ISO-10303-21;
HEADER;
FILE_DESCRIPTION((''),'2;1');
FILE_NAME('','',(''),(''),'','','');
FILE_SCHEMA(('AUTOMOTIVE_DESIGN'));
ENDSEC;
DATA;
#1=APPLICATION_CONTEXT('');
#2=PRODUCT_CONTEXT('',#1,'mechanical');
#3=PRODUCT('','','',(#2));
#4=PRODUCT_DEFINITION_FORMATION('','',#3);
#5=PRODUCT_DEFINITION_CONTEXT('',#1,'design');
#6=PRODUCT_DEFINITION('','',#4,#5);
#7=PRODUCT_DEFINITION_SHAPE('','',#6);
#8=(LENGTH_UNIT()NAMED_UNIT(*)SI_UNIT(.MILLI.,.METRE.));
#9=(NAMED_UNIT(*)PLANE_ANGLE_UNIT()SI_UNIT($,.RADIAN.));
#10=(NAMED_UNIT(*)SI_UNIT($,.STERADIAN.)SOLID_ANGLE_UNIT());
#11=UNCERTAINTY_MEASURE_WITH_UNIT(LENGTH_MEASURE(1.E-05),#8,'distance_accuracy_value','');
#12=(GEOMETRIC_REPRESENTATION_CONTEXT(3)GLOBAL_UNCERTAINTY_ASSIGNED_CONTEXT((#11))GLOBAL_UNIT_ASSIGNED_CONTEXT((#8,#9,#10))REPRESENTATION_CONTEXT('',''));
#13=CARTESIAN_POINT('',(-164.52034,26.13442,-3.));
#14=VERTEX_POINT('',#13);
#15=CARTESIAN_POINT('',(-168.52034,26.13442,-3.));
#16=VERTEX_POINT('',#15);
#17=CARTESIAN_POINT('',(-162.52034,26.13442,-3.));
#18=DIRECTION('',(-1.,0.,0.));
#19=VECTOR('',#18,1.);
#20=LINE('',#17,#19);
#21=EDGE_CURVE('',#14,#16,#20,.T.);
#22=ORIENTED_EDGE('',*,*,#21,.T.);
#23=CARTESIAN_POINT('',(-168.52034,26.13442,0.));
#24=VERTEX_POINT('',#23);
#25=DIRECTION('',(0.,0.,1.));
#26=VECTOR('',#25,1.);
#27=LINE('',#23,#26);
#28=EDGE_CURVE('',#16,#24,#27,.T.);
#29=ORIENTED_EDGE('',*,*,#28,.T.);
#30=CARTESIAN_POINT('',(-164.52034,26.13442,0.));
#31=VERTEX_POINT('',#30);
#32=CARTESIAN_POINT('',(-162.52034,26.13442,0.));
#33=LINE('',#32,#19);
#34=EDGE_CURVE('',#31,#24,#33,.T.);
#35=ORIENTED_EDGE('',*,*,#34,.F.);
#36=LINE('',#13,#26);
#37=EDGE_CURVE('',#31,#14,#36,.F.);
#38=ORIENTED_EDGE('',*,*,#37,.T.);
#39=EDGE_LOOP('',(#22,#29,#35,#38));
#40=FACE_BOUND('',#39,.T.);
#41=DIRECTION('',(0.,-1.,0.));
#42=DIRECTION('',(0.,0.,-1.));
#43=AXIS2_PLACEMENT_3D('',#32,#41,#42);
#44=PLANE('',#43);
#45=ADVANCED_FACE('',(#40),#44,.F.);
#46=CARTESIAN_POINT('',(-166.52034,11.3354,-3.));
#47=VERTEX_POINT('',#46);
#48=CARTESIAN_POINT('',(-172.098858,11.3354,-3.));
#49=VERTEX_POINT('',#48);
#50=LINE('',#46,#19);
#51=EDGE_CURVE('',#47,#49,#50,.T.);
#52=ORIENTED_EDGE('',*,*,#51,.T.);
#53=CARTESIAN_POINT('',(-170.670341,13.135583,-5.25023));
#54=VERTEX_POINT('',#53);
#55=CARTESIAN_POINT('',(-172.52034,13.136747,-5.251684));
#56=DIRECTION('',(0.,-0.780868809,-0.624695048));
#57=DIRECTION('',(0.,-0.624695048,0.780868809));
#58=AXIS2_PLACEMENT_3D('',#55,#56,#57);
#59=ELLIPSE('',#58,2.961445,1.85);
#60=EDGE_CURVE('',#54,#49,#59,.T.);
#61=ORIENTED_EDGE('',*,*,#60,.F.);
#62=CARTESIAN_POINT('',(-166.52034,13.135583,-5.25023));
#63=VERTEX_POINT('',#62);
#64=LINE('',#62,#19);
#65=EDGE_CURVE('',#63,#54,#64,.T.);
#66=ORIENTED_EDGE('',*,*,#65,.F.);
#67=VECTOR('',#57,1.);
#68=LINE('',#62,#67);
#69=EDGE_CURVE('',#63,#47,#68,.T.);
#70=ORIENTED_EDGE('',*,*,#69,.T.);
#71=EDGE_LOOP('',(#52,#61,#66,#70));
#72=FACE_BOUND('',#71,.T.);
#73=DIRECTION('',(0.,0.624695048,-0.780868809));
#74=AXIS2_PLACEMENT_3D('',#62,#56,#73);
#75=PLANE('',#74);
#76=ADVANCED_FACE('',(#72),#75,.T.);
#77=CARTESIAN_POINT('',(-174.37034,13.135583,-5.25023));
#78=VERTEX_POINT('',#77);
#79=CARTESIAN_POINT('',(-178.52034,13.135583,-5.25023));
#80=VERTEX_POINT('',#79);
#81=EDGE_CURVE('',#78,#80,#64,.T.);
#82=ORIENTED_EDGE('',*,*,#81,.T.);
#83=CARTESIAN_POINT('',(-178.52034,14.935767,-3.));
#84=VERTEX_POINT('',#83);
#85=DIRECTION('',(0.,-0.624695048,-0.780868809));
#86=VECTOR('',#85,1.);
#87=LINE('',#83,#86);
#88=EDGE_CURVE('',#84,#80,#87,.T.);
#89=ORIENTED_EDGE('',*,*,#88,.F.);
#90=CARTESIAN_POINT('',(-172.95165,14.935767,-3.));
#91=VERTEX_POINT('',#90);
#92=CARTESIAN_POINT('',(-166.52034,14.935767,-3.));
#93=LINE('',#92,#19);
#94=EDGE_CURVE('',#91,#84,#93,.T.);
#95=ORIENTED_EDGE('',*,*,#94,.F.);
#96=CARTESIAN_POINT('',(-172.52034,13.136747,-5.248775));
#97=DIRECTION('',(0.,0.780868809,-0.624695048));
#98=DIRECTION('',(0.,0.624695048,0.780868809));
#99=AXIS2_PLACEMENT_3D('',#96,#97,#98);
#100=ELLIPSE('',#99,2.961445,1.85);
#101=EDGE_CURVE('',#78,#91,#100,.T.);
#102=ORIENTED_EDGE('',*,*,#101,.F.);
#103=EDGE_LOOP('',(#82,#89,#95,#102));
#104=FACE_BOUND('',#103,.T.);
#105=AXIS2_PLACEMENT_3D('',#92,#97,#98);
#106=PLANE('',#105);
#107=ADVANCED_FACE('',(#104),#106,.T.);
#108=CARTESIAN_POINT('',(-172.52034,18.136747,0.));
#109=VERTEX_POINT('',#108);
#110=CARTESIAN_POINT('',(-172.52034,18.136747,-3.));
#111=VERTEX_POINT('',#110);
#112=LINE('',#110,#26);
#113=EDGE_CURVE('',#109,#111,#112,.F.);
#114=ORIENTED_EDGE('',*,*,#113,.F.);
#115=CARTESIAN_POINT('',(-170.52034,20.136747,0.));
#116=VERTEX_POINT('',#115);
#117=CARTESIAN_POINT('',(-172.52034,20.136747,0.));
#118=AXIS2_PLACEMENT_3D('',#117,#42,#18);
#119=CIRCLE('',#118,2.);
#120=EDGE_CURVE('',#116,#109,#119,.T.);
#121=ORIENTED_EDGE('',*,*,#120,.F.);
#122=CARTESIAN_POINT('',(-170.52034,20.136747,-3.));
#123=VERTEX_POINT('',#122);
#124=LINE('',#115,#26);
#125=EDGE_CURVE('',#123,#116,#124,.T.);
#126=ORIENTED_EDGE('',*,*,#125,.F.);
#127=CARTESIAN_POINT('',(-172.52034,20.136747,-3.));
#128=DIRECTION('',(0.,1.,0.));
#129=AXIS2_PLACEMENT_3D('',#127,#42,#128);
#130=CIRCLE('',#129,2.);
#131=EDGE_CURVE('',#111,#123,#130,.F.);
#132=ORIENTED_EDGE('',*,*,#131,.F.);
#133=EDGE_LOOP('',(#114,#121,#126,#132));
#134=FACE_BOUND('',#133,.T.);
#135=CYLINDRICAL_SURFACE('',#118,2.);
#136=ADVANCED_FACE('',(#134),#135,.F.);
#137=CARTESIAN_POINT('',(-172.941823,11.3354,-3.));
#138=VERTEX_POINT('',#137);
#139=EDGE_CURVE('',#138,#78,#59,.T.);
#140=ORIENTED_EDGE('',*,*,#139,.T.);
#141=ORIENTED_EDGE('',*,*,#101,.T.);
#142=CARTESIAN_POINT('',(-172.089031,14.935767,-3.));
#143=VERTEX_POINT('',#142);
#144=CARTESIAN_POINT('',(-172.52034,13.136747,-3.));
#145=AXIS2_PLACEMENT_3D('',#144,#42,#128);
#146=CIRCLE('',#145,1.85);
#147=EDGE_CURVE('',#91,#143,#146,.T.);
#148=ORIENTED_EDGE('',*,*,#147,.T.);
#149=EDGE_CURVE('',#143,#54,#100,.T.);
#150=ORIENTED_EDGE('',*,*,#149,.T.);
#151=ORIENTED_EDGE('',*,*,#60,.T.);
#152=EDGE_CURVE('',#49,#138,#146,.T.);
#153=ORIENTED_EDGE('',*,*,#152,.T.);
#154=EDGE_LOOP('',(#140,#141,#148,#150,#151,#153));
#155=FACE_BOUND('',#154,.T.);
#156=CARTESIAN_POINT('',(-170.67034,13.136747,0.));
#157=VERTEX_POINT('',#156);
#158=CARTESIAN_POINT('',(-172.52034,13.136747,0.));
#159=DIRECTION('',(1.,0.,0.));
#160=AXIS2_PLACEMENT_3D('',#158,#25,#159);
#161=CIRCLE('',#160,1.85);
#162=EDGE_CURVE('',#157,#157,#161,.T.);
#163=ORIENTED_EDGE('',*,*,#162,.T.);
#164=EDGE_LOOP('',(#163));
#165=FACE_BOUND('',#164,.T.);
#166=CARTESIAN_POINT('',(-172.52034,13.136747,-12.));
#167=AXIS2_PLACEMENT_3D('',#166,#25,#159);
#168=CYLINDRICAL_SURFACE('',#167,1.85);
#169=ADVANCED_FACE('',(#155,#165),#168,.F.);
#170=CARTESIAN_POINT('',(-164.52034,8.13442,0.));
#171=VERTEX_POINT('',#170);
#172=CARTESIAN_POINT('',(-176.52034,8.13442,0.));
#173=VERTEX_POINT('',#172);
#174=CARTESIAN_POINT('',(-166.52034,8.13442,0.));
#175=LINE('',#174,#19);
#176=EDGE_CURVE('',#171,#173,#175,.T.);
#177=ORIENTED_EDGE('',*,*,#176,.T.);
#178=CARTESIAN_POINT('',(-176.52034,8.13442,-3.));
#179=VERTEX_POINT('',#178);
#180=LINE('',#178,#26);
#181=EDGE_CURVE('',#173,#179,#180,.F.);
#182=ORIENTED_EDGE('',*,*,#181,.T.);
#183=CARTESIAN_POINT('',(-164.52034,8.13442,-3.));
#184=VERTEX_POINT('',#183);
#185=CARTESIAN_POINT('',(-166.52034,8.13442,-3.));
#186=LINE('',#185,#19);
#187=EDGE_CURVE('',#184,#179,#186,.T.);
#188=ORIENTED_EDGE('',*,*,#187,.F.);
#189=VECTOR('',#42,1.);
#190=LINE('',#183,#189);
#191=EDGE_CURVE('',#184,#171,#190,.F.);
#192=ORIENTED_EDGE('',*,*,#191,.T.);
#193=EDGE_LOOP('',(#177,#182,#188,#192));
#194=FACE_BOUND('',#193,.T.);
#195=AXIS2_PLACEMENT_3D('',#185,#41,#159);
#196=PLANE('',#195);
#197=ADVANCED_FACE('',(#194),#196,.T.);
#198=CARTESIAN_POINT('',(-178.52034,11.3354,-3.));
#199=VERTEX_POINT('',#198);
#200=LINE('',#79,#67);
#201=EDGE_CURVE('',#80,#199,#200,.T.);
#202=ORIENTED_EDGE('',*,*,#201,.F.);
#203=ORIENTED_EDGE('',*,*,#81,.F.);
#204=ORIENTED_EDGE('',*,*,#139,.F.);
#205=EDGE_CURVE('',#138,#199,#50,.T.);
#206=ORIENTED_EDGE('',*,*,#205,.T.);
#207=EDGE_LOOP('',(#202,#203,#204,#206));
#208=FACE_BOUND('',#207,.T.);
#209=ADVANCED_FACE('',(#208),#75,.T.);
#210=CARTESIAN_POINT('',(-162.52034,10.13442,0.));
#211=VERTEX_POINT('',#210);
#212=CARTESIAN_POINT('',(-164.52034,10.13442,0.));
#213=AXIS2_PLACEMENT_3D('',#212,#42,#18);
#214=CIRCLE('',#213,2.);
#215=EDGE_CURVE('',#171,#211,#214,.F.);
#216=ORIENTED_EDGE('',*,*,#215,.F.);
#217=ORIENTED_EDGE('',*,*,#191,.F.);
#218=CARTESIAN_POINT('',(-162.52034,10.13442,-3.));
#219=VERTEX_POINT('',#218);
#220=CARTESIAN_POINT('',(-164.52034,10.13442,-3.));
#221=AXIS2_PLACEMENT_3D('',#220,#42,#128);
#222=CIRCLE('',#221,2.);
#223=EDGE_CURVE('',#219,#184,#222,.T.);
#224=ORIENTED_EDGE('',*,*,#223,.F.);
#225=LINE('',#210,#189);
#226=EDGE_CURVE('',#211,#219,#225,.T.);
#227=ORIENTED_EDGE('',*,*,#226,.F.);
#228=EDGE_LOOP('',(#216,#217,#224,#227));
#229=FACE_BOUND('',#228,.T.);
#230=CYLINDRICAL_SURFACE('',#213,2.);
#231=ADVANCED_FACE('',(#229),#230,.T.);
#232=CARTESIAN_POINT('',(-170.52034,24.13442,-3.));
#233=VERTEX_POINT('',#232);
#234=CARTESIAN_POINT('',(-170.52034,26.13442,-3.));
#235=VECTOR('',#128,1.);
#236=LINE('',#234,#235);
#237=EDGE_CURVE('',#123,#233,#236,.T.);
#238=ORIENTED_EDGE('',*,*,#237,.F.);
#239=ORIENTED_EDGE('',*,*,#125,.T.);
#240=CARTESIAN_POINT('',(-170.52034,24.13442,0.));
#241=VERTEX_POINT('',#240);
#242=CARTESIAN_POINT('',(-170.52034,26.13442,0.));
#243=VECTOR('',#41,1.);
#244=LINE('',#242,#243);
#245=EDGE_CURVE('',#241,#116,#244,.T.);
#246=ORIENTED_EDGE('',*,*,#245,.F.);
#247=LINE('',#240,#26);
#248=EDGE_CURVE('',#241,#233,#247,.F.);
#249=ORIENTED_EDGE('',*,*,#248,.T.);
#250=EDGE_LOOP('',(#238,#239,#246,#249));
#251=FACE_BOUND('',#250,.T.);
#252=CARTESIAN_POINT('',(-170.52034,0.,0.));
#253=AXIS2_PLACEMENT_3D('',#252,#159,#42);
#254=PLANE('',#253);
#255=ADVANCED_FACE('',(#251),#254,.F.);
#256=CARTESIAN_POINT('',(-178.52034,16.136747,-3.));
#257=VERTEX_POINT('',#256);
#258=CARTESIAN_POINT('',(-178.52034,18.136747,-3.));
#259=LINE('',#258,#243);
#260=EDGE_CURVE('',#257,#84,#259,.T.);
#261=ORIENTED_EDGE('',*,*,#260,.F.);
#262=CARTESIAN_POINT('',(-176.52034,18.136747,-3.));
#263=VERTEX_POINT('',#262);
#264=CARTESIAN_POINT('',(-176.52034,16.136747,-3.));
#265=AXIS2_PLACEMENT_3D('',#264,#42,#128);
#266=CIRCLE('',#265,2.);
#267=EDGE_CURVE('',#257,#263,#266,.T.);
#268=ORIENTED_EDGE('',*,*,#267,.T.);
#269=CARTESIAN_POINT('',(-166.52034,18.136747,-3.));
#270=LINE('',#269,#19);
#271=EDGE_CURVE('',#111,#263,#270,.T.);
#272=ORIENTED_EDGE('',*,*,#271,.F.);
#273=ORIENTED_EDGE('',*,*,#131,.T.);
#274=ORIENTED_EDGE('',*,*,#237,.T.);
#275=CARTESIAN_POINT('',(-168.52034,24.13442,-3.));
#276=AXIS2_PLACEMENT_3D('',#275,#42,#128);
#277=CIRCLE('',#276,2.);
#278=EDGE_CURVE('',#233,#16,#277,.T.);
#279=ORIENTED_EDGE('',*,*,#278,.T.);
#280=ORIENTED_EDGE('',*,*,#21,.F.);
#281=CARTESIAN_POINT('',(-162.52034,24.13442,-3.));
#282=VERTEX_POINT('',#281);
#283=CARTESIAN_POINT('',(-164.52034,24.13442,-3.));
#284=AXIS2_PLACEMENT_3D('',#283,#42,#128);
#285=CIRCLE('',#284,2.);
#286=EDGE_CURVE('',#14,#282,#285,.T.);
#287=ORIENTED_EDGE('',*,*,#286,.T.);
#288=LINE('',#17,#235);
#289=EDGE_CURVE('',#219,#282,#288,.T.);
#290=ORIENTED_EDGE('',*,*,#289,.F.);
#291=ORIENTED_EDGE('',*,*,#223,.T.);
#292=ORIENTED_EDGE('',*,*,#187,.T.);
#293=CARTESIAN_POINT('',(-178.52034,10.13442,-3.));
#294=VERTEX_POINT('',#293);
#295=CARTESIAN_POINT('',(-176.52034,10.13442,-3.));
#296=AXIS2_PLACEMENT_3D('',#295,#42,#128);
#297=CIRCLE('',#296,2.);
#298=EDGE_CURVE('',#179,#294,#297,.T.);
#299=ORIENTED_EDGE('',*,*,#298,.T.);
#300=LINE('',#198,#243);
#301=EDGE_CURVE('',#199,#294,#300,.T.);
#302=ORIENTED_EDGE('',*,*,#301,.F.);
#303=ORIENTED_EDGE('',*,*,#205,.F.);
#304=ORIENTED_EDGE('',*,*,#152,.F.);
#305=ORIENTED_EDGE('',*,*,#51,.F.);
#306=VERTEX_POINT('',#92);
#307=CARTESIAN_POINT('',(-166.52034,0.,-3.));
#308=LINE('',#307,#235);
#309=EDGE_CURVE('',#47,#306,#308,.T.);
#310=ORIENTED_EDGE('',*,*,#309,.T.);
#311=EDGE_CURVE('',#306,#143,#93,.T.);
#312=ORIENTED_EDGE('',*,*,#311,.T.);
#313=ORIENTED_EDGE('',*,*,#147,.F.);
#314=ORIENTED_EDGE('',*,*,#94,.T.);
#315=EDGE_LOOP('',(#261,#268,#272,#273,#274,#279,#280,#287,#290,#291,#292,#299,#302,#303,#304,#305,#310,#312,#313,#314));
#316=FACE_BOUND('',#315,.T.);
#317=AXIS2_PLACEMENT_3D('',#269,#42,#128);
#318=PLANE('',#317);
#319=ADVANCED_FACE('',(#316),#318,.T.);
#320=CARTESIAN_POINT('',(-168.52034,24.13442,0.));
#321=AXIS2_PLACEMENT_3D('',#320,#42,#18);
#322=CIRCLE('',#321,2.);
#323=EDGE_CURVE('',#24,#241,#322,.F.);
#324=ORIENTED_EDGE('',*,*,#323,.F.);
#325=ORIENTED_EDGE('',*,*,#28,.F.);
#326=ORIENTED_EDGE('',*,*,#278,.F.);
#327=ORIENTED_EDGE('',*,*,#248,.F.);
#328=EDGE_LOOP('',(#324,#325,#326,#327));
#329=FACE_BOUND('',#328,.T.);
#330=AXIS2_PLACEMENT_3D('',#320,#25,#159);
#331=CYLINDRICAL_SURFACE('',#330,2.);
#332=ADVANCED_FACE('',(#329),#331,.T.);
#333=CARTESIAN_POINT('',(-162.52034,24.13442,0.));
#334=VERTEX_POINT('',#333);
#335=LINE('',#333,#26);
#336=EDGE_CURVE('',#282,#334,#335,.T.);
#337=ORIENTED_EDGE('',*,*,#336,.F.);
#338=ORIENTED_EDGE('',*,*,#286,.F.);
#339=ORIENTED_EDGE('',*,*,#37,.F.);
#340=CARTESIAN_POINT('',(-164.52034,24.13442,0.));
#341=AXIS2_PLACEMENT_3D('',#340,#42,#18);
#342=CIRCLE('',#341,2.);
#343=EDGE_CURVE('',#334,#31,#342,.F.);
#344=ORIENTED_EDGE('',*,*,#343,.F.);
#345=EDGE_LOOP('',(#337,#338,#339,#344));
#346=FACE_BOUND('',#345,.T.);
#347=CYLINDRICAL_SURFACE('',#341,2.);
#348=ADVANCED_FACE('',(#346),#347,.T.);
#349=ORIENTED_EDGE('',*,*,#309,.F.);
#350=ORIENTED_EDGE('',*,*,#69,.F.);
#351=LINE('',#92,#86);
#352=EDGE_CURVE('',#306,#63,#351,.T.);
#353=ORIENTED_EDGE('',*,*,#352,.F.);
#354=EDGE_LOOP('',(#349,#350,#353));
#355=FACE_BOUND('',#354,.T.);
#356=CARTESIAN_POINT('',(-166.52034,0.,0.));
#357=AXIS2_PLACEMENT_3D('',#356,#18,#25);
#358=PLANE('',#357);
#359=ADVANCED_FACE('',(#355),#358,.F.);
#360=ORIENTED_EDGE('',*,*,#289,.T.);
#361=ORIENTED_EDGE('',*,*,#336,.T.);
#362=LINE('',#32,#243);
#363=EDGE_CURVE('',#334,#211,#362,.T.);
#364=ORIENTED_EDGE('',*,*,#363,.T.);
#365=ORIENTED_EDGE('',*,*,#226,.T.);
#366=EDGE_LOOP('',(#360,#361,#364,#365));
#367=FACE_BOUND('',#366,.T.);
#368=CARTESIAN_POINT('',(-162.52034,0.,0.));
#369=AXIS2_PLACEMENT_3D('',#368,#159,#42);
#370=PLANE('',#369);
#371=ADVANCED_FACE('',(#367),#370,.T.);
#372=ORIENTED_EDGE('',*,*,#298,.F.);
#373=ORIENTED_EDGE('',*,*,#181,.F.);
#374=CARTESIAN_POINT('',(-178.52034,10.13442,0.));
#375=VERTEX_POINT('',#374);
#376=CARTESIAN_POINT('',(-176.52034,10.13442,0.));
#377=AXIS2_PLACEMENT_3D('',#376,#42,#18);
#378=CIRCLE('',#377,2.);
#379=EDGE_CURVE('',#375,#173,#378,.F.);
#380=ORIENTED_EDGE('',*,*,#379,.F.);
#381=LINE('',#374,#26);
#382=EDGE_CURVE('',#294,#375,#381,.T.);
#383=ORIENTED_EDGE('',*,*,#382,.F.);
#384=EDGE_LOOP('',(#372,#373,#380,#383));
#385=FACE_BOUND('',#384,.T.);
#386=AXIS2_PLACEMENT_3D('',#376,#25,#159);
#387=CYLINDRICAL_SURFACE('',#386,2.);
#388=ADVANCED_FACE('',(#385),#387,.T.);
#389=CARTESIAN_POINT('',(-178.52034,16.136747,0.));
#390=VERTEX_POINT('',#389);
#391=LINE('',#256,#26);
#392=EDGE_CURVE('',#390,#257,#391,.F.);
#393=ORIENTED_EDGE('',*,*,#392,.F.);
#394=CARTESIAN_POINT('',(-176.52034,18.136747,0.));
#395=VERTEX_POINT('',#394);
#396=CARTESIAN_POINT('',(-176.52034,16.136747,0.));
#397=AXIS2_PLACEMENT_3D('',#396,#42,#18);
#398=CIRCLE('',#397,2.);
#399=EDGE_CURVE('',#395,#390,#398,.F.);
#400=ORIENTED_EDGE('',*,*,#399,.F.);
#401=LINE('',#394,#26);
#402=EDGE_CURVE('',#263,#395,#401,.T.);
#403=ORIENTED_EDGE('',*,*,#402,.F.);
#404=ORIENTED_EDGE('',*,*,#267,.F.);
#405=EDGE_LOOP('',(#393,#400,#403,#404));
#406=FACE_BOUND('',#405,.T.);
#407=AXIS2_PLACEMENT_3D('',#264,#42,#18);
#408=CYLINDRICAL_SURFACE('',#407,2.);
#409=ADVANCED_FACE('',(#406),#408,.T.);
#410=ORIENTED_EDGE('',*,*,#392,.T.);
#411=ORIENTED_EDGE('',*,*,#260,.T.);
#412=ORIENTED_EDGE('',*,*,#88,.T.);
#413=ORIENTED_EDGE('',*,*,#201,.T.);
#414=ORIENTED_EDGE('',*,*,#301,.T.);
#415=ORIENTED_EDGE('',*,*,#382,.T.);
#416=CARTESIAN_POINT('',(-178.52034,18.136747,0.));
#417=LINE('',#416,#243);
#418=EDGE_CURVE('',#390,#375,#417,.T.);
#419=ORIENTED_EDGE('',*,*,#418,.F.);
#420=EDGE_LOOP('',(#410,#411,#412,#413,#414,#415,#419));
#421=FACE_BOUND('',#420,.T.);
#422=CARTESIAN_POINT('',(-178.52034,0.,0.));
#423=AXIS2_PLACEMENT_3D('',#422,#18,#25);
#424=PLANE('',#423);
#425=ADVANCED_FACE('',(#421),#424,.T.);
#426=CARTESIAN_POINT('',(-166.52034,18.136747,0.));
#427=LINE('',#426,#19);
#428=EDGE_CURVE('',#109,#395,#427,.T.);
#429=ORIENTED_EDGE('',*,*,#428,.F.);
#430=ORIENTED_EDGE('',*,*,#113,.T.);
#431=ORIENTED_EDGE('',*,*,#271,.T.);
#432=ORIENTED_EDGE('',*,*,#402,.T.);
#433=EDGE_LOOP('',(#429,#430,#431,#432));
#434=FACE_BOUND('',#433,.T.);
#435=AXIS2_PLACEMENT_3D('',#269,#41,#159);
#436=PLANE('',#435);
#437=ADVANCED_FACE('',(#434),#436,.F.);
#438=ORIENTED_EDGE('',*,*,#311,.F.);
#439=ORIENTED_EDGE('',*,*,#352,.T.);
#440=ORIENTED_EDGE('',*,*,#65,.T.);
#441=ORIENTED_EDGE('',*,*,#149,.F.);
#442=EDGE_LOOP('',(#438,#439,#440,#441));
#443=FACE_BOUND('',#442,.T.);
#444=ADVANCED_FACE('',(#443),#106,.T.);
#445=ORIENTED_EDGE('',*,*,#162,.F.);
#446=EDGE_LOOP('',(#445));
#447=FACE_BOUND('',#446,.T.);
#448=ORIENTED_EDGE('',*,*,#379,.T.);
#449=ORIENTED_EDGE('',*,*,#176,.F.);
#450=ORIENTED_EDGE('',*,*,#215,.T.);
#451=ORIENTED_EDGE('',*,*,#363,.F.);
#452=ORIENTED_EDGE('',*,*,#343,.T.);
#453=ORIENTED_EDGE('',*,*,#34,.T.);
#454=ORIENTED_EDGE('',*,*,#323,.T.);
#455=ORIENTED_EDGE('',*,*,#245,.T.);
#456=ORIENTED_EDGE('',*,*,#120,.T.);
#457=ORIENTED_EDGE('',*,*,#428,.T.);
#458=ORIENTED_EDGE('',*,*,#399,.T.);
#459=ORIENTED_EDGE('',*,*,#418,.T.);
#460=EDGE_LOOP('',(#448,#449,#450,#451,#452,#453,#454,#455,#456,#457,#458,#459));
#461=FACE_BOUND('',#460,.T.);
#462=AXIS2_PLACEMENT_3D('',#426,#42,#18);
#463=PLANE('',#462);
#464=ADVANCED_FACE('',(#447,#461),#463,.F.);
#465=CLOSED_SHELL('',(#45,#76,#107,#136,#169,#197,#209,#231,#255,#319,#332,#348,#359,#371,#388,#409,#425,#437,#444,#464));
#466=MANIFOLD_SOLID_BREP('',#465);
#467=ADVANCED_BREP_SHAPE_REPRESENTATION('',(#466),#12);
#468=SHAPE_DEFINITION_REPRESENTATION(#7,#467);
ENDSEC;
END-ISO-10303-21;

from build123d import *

# Parameters (mm, degrees)
BOSS_EXTRUDE3_DEPTH = 12
SKETCH4_R           = 1.85
CUT_EXTRUDE1_DEPTH  = 12
SKETCH5_W           = 3
SKETCH5_H           = 18
BOSS_EXTRUDE4_DEPTH = 4
FILLET2_R           = 2


with BuildPart() as part:
    # Sketch3 → Boss-Extrude3 (new body)
    with BuildSketch(Plane.ZY.offset(178.52034041)):
        Polygon((-3, 14.935767061), (-5.250229512, 13.135583451), (-3, 11.335399842), (-3, 8.134419599), (0, 8.134419599), (0, 18.136747304), (-3, 18.136747304), align=None)
    extrude(amount=-BOSS_EXTRUDE3_DEPTH)

    # Sketch4 → Cut-Extrude1 (cut)
    with BuildSketch(Plane.XY):
        with Locations((-172.52034041, 13.136747304)):
            Circle(SKETCH4_R)
    extrude(amount=-CUT_EXTRUDE1_DEPTH, mode=Mode.SUBTRACT)

    # Sketch5 → Boss-Extrude4 (add, symmetric)
    with BuildSketch(Plane(origin=(-166.52034041, 0, 0), x_dir=(0, 0, -1), z_dir=(1, 0, 0))):
        with Locations((1.5, 17.134419599)):
            Rectangle(SKETCH5_W, SKETCH5_H)
    extrude(amount=BOSS_EXTRUDE4_DEPTH, both=True)

    # Fillet2
    fillet2_edges = [part.edges().sort_by_distance(p)[0] for p in [
        (-170.52034041, 18.136747304, -1.5),
        (-170.52034041, 26.134419599, -1.5),
        (-162.52034041, 8.134419599, -1.5),
        (-162.52034041, 26.134419599, -1.5),
        (-178.52034041, 18.136747304, -1.5),
        (-178.52034041, 8.134419599, -1.5),
    ]]
    fillet(fillet2_edges, radius=FILLET2_R)


solid = part.part
